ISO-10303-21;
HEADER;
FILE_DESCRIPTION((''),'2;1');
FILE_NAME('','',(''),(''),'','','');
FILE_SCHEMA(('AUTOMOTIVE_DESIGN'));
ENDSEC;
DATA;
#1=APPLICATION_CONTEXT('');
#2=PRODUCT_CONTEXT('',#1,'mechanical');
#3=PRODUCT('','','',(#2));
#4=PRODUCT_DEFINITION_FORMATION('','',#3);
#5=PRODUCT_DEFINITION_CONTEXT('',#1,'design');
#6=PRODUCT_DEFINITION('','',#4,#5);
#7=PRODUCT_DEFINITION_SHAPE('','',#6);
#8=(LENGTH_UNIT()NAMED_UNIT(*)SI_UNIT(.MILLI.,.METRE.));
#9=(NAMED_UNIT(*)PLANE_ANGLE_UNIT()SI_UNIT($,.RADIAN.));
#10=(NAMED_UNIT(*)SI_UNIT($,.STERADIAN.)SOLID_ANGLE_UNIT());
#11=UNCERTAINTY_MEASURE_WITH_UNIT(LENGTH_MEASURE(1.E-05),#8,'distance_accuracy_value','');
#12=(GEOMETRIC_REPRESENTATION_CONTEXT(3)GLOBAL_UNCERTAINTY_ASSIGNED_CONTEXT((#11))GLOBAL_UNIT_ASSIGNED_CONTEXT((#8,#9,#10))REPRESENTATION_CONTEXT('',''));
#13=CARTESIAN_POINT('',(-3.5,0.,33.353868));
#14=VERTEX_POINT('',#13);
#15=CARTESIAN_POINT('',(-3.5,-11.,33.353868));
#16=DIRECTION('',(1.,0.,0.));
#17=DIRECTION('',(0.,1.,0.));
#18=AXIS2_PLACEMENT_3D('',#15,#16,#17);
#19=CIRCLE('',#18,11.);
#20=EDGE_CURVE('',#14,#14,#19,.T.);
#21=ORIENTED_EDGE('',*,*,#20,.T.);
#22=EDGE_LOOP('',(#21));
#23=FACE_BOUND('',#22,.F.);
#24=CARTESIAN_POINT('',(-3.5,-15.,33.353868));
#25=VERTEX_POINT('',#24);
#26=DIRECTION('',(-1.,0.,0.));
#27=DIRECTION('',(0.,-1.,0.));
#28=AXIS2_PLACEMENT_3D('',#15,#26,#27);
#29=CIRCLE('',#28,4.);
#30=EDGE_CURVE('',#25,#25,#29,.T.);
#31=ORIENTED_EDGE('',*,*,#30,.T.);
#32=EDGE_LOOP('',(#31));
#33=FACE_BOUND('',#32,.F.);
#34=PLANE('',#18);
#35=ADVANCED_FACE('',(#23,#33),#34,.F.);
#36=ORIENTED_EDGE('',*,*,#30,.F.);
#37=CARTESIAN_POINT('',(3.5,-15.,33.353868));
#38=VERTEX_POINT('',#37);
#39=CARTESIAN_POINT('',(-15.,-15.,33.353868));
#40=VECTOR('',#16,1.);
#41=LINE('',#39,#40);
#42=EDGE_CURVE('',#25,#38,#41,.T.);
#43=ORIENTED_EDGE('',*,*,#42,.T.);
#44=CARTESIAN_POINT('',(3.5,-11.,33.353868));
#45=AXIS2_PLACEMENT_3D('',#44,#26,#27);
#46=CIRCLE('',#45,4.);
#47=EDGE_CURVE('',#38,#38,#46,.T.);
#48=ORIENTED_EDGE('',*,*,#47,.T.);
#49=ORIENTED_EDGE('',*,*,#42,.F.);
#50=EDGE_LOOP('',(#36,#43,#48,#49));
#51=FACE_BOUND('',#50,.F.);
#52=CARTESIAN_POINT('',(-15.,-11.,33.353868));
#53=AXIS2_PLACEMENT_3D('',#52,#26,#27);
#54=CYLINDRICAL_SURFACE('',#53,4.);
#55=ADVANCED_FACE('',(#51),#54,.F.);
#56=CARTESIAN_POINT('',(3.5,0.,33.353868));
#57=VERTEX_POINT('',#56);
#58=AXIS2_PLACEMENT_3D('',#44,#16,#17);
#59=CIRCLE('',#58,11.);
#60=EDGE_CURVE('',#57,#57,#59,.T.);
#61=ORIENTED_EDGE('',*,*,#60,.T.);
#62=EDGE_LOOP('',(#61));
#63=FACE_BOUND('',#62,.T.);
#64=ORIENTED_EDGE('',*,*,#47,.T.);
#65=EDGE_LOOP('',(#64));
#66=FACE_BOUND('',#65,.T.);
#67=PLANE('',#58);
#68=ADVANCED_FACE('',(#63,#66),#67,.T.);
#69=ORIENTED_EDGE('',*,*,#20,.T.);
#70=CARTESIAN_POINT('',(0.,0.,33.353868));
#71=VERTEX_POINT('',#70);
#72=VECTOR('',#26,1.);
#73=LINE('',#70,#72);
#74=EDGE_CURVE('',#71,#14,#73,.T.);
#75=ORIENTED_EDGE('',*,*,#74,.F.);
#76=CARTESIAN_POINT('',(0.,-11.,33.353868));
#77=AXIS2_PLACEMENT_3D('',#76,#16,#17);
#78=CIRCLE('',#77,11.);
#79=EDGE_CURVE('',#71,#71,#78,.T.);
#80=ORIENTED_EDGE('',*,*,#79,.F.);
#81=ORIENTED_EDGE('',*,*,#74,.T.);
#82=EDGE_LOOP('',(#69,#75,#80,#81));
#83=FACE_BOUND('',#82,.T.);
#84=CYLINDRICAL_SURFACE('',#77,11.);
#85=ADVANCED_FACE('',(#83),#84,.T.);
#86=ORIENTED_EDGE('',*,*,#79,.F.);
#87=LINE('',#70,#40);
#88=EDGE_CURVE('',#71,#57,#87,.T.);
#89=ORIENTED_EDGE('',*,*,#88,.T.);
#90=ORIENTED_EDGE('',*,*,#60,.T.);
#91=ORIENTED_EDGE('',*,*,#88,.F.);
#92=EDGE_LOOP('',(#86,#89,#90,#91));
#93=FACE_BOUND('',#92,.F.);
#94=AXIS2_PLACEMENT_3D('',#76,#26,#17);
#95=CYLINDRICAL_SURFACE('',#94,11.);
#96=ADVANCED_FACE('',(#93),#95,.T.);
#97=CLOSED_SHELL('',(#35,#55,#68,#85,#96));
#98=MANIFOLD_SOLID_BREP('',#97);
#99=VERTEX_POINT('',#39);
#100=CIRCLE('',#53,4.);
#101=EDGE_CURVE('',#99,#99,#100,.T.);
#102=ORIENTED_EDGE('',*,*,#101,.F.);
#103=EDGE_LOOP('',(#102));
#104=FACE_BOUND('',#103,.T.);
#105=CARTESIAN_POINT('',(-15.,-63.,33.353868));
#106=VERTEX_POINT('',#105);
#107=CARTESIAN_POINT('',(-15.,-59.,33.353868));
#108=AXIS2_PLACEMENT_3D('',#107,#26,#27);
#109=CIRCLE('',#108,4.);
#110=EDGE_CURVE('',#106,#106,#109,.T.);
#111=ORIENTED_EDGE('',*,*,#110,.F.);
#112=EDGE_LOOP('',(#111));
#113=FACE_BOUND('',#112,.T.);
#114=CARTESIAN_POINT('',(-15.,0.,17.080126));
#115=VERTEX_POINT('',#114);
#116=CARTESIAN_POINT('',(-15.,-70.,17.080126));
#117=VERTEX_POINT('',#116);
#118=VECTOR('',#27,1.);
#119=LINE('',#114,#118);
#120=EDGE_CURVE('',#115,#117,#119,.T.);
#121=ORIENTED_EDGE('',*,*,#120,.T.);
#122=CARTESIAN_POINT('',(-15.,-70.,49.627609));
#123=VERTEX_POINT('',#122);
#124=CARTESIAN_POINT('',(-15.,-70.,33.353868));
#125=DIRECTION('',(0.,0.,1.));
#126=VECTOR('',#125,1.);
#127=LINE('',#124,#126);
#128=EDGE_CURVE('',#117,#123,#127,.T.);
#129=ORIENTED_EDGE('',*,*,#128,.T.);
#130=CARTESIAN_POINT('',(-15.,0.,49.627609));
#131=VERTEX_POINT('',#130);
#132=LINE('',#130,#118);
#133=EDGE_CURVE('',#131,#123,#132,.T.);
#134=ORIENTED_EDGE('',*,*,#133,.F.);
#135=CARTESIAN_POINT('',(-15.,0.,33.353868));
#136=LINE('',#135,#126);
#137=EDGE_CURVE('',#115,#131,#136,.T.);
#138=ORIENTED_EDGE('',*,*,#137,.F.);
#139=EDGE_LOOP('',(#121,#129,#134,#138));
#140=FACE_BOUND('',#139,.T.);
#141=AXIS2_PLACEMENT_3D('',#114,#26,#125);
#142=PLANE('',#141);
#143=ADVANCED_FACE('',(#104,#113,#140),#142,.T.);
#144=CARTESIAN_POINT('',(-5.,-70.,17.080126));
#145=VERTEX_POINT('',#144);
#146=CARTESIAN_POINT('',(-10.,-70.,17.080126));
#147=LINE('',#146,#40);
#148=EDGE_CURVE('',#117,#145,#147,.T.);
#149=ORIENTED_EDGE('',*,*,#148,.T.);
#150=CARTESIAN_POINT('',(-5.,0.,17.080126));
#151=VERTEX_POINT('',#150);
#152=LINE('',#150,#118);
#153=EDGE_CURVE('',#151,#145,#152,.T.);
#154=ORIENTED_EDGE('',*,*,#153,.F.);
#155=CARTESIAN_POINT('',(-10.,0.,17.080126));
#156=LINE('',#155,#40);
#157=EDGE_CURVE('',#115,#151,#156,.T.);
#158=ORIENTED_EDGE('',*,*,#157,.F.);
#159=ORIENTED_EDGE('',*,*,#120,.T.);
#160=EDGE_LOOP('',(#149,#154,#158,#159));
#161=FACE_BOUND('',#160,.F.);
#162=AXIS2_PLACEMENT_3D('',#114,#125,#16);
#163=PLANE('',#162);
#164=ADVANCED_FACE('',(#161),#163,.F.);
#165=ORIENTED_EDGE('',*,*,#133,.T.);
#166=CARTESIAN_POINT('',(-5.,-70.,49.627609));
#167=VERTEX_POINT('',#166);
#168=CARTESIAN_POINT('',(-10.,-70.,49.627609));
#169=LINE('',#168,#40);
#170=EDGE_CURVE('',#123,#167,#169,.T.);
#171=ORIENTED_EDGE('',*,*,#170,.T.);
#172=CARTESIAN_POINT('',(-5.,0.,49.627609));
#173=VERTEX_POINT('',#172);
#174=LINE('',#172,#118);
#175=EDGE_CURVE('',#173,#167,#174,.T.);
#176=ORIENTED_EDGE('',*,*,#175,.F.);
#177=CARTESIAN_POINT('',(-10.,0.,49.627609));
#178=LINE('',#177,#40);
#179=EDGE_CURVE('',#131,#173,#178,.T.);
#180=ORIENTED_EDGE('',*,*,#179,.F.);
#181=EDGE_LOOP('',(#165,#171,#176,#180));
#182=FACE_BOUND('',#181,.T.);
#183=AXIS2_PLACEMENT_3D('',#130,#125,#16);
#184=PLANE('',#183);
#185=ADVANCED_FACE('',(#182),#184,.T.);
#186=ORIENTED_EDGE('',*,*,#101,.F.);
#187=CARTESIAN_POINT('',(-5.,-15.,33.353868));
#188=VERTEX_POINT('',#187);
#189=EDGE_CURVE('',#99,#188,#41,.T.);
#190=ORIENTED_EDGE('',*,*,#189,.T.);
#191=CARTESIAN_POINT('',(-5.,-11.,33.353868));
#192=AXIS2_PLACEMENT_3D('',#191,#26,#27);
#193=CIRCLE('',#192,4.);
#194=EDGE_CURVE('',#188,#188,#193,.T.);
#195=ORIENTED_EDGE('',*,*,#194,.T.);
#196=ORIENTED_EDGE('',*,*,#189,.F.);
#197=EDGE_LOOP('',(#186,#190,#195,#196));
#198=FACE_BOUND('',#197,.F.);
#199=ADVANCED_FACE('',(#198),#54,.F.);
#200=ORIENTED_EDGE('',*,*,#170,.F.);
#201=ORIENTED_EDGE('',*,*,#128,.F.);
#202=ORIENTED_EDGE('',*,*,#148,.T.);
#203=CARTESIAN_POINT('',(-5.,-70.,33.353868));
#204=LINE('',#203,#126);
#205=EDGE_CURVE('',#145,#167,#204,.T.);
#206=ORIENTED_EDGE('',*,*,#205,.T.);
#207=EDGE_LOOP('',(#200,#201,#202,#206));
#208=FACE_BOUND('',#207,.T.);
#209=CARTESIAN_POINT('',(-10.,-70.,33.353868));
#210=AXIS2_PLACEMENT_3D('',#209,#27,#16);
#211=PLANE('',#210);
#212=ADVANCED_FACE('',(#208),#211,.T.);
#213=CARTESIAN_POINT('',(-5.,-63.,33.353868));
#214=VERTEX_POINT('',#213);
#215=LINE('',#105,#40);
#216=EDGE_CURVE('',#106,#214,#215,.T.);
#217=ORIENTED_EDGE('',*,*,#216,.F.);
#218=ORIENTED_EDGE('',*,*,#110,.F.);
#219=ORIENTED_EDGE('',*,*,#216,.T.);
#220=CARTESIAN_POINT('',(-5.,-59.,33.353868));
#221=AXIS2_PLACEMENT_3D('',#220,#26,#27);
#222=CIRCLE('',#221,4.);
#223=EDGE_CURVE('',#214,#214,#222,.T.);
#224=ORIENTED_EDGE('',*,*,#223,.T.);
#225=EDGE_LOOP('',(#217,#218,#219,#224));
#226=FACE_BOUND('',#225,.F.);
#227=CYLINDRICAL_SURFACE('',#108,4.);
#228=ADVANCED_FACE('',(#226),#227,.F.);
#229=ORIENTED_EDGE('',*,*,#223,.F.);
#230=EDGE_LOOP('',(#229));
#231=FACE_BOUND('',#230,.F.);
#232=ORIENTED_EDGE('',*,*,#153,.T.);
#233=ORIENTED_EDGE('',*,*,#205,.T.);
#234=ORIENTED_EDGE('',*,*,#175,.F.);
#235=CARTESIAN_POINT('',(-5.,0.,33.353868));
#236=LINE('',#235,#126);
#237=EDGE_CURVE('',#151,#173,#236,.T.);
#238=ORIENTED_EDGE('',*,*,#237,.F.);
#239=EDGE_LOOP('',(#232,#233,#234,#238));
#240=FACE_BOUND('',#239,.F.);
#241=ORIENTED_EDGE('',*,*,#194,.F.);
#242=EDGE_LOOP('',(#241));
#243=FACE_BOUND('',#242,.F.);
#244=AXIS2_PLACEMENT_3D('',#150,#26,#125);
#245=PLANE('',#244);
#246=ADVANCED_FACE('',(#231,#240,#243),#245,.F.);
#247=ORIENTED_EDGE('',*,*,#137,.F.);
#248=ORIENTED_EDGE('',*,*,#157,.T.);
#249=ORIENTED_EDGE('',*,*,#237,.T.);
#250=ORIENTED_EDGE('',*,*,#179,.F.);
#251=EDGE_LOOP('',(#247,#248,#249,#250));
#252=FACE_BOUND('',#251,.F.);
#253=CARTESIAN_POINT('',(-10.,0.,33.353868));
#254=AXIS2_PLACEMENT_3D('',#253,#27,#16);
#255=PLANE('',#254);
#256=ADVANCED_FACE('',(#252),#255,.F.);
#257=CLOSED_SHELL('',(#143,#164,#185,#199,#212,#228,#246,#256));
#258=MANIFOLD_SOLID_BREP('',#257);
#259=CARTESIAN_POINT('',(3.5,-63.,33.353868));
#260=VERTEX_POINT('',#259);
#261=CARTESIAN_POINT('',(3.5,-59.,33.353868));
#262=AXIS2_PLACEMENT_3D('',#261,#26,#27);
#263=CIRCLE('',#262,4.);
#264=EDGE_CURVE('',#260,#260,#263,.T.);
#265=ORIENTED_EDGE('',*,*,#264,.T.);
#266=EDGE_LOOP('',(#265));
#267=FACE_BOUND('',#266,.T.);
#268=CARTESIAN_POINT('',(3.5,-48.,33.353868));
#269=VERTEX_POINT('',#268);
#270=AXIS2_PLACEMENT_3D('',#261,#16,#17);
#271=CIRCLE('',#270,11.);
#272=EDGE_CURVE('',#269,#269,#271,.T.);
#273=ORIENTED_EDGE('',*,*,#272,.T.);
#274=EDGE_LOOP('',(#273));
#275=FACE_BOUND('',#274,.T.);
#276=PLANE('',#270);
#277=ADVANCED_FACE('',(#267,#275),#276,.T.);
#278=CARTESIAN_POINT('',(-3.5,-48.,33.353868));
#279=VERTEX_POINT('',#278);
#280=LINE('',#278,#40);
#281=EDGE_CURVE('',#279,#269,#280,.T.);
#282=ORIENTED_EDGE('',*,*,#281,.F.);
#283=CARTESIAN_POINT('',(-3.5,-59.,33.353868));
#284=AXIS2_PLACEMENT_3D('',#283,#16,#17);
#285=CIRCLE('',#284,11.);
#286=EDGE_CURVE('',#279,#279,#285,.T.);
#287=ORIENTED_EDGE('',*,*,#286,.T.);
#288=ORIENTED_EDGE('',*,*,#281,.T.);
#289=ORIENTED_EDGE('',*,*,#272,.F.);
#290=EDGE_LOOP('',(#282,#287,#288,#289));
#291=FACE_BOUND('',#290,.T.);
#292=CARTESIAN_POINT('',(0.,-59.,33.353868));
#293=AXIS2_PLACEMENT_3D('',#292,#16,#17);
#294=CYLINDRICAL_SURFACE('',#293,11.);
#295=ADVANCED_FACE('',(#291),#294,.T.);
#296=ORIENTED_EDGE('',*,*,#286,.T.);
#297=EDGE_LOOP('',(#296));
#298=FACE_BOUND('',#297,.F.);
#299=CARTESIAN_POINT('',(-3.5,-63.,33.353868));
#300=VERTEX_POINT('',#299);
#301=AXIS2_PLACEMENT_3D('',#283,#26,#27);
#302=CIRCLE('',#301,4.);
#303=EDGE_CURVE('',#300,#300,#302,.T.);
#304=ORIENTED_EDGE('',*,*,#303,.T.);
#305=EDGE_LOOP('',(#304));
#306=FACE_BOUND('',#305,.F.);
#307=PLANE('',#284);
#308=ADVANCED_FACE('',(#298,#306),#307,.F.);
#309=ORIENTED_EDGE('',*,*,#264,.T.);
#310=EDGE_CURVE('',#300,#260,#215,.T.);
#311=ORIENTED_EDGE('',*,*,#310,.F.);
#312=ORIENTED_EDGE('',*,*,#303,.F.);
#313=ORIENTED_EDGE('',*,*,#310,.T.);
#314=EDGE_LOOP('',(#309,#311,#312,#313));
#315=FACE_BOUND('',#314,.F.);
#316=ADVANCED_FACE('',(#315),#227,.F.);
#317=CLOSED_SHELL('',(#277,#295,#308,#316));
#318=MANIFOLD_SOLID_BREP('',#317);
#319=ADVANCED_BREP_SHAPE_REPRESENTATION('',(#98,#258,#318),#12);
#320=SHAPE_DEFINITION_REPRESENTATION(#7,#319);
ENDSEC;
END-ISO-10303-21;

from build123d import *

# Parameters (mm, degrees)
F0_W     = 10
F0_H     = 32.547483
F1_DEPTH = 70
F2_R     = 11
F3_DEPTH = 3.5
F4_R     = 4
F5_DEPTH = 18.501


with BuildPart() as f1:
    # F0 (on Front) → F1 (new body)
    with BuildSketch(Plane.XZ):
        with Locations((-10, 33.353868)):
            Rectangle(F0_W, F0_H)
    extrude(amount=F1_DEPTH)


with BuildPart() as f3:
    # F2 (on Right) → F3 (new body, symmetric)
    with BuildSketch(Plane.YZ):
        with Locations((-11, 33.353868)):
            Circle(F2_R)
        with Locations((-59, 33.353868)):
            Circle(F2_R)
    extrude(amount=F3_DEPTH, both=True)


with BuildPart() as f5_tool:
    # F4 (on face) → F5 (new body, through all)
    with BuildSketch(Plane(origin=(-15, 0, 0), x_dir=(0, -1, 0), z_dir=(-1, 0, 0))):
        with Locations((11, 33.353868)):
            Circle(F4_R)
        with Locations((59, 33.353868)):
            Circle(F4_R)
    extrude(amount=-F5_DEPTH)


with BuildPart() as f1_1:
    add(f1.part)

    # F5: cut by f5_tool
    add(f5_tool.part, mode=Mode.SUBTRACT)


with BuildPart() as f3_1:
    add(f3.part)

    # F5: cut by f5_tool
    add(f5_tool.part, mode=Mode.SUBTRACT)


solid = Compound([f1_1.part, f3_1.part])
